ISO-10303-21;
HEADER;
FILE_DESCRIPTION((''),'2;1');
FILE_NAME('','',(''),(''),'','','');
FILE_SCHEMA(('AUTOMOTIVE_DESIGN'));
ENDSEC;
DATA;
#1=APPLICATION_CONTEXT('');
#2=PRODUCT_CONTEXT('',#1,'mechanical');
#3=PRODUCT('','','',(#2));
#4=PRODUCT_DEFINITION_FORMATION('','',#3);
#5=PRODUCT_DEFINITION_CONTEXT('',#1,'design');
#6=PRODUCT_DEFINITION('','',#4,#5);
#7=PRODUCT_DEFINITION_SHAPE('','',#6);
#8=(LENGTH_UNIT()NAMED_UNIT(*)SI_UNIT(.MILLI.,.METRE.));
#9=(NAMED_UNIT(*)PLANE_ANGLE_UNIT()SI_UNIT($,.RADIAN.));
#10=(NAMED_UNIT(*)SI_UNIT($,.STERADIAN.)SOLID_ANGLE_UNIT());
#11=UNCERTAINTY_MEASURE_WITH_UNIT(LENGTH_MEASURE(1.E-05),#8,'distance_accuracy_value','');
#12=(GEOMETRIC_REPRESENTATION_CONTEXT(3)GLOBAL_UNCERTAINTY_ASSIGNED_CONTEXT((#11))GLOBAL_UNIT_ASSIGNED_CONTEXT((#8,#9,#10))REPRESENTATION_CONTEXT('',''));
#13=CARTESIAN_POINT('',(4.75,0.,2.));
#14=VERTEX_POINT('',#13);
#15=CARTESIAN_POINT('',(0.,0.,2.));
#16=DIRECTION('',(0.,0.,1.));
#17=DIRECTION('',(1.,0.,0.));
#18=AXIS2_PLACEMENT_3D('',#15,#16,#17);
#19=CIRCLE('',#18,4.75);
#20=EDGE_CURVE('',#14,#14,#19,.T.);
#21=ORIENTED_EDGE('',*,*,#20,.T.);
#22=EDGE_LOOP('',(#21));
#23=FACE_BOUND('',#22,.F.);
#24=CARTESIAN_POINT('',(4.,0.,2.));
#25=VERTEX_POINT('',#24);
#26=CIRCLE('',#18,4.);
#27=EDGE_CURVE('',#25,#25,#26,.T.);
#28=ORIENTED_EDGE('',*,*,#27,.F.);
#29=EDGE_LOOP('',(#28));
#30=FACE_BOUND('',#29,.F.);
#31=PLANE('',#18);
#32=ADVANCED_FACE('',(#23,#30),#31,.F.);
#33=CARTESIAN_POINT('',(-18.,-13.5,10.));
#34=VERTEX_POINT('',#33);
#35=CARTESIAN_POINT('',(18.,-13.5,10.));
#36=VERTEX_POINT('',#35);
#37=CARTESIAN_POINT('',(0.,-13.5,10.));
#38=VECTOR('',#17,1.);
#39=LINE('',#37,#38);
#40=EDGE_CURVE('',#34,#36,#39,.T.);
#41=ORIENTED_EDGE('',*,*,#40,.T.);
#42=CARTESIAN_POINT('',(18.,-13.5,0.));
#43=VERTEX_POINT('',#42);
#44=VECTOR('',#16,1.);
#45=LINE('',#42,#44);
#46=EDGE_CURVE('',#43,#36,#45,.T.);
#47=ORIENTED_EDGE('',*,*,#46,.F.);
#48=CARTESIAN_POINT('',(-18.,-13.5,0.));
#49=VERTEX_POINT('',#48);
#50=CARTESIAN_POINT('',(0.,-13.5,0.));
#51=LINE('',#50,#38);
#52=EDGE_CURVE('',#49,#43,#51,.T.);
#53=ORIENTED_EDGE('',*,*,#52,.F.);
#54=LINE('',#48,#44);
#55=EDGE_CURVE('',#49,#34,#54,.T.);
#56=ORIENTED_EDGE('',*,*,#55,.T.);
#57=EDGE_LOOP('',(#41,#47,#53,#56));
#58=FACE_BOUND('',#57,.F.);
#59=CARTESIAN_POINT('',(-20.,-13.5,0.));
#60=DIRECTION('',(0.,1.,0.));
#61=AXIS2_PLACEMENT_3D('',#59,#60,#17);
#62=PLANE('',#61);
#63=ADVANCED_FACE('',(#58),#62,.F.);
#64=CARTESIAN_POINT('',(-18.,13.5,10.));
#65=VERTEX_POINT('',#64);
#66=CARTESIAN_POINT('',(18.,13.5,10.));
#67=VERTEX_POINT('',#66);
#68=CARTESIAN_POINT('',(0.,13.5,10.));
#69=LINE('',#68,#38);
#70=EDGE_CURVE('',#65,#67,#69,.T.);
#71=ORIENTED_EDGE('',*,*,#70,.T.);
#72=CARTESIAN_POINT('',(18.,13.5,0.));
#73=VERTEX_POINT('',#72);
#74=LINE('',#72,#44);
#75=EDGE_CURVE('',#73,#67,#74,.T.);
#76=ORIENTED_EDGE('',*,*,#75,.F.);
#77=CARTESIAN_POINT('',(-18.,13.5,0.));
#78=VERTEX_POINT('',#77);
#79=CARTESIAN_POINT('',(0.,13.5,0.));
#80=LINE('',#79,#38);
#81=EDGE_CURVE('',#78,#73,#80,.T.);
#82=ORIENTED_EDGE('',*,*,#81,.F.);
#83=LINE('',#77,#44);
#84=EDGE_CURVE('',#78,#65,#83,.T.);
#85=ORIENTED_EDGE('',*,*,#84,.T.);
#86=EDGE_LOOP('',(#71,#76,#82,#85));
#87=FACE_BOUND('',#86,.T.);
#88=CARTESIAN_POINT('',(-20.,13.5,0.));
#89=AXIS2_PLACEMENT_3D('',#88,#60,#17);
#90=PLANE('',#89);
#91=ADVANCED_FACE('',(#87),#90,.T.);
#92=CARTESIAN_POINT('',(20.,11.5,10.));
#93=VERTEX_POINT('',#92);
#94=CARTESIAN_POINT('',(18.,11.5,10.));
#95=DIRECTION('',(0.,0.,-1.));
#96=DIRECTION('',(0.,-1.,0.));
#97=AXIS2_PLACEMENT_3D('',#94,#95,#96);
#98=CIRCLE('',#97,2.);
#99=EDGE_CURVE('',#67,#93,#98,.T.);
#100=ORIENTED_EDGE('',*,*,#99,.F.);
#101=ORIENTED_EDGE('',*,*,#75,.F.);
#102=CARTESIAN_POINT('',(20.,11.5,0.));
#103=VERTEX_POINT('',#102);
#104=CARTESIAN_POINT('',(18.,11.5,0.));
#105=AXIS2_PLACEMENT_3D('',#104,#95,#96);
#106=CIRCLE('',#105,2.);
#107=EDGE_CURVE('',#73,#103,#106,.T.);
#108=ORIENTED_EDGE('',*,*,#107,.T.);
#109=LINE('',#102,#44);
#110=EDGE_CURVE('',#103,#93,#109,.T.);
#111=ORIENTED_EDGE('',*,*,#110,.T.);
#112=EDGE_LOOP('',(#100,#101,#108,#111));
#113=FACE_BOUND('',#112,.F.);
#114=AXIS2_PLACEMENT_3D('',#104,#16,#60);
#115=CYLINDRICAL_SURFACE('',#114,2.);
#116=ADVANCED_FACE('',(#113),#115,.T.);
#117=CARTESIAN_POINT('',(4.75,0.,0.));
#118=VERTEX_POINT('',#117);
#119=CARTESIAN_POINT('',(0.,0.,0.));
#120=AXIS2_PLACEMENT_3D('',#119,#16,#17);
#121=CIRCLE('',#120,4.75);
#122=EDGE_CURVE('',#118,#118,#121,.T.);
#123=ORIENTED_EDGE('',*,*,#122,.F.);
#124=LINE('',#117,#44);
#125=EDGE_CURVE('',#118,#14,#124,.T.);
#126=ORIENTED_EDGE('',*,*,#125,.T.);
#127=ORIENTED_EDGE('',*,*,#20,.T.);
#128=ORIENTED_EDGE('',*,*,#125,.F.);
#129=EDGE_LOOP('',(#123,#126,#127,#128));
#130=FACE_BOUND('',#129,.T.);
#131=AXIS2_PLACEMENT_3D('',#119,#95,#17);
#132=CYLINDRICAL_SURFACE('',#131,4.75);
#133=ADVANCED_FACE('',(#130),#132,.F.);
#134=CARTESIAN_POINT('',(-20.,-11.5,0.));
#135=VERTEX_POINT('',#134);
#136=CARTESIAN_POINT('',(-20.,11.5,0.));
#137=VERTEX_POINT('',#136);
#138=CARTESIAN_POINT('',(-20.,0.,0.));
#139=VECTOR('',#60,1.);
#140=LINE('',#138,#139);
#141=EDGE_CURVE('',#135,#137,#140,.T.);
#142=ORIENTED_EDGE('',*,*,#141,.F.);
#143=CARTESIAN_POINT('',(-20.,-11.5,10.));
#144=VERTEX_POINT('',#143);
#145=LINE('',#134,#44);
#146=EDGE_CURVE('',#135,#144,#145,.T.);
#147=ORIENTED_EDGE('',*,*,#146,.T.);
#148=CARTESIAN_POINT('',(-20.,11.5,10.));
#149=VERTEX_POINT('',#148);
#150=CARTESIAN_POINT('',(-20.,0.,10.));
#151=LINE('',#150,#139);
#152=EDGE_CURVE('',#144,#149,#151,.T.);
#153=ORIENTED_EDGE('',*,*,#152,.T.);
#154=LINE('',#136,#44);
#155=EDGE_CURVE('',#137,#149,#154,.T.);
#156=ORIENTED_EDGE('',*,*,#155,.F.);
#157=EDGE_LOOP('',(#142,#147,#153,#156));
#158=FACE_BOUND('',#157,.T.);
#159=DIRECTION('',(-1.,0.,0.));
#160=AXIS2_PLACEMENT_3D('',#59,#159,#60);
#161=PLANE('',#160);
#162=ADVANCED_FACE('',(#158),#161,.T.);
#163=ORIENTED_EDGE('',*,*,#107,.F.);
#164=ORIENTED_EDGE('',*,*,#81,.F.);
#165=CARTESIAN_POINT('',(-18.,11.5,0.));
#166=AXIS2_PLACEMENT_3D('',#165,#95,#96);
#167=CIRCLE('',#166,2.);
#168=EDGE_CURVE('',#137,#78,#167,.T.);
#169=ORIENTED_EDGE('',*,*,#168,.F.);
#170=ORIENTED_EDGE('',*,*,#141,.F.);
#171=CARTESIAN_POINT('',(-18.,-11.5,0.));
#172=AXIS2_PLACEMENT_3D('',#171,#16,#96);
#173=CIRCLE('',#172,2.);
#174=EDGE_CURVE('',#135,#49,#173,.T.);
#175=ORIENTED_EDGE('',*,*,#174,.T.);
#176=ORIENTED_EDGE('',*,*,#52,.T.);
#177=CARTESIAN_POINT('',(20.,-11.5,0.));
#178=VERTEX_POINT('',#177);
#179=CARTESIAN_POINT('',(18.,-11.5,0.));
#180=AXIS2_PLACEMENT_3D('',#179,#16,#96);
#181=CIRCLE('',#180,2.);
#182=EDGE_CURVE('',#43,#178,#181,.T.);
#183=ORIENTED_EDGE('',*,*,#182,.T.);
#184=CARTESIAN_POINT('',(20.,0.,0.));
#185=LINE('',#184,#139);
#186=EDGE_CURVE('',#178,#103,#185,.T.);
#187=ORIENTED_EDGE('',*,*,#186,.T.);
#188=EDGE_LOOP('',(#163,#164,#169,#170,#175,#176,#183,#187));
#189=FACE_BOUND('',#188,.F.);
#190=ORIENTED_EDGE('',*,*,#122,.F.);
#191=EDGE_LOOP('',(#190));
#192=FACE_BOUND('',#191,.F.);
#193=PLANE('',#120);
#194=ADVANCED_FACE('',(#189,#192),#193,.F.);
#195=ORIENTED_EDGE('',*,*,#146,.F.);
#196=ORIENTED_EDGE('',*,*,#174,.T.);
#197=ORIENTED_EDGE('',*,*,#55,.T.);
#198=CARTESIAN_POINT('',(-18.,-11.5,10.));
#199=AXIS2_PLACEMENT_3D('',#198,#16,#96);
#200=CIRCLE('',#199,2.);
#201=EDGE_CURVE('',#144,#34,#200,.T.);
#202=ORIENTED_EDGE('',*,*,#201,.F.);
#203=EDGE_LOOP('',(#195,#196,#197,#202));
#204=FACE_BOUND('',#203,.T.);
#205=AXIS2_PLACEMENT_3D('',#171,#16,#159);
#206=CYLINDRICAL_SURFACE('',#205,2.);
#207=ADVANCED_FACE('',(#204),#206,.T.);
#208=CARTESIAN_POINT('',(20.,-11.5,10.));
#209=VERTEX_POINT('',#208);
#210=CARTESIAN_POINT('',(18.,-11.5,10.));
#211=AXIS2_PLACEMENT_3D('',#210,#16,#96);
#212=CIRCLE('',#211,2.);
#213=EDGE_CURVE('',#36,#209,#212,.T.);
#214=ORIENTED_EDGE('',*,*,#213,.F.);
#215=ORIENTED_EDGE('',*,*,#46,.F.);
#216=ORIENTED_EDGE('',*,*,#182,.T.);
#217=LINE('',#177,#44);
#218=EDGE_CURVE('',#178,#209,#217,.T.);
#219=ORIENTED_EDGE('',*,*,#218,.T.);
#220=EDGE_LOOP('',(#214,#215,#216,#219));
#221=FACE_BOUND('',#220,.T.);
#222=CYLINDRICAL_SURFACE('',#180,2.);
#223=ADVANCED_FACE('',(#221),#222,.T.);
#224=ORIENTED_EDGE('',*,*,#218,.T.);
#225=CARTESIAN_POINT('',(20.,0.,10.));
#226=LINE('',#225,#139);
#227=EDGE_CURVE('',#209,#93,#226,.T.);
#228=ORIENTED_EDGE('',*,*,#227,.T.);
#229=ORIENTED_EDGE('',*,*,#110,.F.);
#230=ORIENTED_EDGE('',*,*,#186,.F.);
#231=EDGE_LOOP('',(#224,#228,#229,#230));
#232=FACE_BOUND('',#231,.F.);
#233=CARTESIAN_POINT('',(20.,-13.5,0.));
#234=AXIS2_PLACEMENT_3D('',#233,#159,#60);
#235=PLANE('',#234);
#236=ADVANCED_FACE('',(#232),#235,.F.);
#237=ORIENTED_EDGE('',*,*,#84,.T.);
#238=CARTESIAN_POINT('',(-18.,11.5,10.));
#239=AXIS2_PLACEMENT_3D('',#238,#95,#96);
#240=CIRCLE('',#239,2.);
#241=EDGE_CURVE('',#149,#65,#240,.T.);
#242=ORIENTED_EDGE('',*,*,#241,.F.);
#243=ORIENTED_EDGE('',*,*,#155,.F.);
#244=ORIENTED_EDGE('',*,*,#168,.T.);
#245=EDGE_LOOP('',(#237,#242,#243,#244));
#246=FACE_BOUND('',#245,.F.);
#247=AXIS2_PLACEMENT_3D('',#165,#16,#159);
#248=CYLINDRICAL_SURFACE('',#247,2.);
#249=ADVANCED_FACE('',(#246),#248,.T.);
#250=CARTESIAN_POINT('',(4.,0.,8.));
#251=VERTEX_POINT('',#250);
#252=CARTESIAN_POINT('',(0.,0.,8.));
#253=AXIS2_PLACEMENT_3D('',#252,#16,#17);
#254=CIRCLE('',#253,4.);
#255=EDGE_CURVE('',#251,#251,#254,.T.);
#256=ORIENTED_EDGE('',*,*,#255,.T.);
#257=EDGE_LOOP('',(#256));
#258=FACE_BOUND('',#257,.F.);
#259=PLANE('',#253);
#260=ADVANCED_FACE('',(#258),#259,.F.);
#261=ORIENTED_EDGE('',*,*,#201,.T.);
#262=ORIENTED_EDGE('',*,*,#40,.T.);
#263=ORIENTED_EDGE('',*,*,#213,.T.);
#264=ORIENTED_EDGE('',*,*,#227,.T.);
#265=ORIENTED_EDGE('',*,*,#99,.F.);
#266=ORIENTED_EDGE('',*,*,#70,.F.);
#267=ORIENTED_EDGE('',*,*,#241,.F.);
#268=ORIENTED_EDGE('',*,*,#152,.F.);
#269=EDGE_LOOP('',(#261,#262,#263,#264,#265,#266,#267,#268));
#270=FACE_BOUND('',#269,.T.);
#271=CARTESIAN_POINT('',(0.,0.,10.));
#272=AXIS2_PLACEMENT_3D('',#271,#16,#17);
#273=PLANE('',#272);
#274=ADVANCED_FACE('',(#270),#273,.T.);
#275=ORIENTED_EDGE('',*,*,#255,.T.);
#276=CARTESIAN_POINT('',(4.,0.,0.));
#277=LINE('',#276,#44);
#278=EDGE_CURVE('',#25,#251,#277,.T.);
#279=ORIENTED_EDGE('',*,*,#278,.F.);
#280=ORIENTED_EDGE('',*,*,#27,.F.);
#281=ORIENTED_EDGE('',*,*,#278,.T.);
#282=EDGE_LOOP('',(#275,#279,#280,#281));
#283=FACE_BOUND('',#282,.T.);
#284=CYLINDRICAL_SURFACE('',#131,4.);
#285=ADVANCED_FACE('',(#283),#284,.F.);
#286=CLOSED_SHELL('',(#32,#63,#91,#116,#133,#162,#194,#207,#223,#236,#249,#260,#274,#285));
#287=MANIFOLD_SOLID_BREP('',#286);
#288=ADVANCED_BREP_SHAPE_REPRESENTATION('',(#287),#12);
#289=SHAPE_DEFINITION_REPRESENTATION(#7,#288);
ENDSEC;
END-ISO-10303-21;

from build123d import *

# Parameters (mm, degrees)
F0_W     = 40
F0_H     = 27
F0_R     = 4.75
F0_R_2   = 4
F1_DEPTH = 10
F2_DEPTH = 2
F3_R     = 2
F4_DEPTH = 8


with BuildPart() as f1:
    # F0 (on Top) → F1 (new body)
    with BuildSketch(Plane.XY):
        Rectangle(F0_W, F0_H)
        Circle(F0_R, mode=Mode.SUBTRACT)
        Circle(F0_R)
        Circle(F0_R_2, mode=Mode.SUBTRACT)
        Circle(F0_R_2)
    extrude(amount=F1_DEPTH)

    # F0 (on Top) → F2 (cut)
    with BuildSketch(Plane.XY):
        Circle(F0_R)
        Circle(F0_R_2, mode=Mode.SUBTRACT)
    extrude(amount=F2_DEPTH, mode=Mode.SUBTRACT)

    # F3
    f3_edges = [f1.edges().sort_by_distance(p)[0] for p in [
        (20, -13.5, 5),
        (20, 13.5, 5),
        (-20, 13.5, 5),
        (-20, -13.5, 5),
    ]]
    fillet(f3_edges, radius=F3_R)

    # F4 (cut): a face of the model
    f4_faces = [f1.faces().sort_by_distance(p)[0] for p in [
        (0, 0, 0),
    ]]
    extrude(f4_faces, amount=-F4_DEPTH, mode=Mode.SUBTRACT)


solid = f1.part
